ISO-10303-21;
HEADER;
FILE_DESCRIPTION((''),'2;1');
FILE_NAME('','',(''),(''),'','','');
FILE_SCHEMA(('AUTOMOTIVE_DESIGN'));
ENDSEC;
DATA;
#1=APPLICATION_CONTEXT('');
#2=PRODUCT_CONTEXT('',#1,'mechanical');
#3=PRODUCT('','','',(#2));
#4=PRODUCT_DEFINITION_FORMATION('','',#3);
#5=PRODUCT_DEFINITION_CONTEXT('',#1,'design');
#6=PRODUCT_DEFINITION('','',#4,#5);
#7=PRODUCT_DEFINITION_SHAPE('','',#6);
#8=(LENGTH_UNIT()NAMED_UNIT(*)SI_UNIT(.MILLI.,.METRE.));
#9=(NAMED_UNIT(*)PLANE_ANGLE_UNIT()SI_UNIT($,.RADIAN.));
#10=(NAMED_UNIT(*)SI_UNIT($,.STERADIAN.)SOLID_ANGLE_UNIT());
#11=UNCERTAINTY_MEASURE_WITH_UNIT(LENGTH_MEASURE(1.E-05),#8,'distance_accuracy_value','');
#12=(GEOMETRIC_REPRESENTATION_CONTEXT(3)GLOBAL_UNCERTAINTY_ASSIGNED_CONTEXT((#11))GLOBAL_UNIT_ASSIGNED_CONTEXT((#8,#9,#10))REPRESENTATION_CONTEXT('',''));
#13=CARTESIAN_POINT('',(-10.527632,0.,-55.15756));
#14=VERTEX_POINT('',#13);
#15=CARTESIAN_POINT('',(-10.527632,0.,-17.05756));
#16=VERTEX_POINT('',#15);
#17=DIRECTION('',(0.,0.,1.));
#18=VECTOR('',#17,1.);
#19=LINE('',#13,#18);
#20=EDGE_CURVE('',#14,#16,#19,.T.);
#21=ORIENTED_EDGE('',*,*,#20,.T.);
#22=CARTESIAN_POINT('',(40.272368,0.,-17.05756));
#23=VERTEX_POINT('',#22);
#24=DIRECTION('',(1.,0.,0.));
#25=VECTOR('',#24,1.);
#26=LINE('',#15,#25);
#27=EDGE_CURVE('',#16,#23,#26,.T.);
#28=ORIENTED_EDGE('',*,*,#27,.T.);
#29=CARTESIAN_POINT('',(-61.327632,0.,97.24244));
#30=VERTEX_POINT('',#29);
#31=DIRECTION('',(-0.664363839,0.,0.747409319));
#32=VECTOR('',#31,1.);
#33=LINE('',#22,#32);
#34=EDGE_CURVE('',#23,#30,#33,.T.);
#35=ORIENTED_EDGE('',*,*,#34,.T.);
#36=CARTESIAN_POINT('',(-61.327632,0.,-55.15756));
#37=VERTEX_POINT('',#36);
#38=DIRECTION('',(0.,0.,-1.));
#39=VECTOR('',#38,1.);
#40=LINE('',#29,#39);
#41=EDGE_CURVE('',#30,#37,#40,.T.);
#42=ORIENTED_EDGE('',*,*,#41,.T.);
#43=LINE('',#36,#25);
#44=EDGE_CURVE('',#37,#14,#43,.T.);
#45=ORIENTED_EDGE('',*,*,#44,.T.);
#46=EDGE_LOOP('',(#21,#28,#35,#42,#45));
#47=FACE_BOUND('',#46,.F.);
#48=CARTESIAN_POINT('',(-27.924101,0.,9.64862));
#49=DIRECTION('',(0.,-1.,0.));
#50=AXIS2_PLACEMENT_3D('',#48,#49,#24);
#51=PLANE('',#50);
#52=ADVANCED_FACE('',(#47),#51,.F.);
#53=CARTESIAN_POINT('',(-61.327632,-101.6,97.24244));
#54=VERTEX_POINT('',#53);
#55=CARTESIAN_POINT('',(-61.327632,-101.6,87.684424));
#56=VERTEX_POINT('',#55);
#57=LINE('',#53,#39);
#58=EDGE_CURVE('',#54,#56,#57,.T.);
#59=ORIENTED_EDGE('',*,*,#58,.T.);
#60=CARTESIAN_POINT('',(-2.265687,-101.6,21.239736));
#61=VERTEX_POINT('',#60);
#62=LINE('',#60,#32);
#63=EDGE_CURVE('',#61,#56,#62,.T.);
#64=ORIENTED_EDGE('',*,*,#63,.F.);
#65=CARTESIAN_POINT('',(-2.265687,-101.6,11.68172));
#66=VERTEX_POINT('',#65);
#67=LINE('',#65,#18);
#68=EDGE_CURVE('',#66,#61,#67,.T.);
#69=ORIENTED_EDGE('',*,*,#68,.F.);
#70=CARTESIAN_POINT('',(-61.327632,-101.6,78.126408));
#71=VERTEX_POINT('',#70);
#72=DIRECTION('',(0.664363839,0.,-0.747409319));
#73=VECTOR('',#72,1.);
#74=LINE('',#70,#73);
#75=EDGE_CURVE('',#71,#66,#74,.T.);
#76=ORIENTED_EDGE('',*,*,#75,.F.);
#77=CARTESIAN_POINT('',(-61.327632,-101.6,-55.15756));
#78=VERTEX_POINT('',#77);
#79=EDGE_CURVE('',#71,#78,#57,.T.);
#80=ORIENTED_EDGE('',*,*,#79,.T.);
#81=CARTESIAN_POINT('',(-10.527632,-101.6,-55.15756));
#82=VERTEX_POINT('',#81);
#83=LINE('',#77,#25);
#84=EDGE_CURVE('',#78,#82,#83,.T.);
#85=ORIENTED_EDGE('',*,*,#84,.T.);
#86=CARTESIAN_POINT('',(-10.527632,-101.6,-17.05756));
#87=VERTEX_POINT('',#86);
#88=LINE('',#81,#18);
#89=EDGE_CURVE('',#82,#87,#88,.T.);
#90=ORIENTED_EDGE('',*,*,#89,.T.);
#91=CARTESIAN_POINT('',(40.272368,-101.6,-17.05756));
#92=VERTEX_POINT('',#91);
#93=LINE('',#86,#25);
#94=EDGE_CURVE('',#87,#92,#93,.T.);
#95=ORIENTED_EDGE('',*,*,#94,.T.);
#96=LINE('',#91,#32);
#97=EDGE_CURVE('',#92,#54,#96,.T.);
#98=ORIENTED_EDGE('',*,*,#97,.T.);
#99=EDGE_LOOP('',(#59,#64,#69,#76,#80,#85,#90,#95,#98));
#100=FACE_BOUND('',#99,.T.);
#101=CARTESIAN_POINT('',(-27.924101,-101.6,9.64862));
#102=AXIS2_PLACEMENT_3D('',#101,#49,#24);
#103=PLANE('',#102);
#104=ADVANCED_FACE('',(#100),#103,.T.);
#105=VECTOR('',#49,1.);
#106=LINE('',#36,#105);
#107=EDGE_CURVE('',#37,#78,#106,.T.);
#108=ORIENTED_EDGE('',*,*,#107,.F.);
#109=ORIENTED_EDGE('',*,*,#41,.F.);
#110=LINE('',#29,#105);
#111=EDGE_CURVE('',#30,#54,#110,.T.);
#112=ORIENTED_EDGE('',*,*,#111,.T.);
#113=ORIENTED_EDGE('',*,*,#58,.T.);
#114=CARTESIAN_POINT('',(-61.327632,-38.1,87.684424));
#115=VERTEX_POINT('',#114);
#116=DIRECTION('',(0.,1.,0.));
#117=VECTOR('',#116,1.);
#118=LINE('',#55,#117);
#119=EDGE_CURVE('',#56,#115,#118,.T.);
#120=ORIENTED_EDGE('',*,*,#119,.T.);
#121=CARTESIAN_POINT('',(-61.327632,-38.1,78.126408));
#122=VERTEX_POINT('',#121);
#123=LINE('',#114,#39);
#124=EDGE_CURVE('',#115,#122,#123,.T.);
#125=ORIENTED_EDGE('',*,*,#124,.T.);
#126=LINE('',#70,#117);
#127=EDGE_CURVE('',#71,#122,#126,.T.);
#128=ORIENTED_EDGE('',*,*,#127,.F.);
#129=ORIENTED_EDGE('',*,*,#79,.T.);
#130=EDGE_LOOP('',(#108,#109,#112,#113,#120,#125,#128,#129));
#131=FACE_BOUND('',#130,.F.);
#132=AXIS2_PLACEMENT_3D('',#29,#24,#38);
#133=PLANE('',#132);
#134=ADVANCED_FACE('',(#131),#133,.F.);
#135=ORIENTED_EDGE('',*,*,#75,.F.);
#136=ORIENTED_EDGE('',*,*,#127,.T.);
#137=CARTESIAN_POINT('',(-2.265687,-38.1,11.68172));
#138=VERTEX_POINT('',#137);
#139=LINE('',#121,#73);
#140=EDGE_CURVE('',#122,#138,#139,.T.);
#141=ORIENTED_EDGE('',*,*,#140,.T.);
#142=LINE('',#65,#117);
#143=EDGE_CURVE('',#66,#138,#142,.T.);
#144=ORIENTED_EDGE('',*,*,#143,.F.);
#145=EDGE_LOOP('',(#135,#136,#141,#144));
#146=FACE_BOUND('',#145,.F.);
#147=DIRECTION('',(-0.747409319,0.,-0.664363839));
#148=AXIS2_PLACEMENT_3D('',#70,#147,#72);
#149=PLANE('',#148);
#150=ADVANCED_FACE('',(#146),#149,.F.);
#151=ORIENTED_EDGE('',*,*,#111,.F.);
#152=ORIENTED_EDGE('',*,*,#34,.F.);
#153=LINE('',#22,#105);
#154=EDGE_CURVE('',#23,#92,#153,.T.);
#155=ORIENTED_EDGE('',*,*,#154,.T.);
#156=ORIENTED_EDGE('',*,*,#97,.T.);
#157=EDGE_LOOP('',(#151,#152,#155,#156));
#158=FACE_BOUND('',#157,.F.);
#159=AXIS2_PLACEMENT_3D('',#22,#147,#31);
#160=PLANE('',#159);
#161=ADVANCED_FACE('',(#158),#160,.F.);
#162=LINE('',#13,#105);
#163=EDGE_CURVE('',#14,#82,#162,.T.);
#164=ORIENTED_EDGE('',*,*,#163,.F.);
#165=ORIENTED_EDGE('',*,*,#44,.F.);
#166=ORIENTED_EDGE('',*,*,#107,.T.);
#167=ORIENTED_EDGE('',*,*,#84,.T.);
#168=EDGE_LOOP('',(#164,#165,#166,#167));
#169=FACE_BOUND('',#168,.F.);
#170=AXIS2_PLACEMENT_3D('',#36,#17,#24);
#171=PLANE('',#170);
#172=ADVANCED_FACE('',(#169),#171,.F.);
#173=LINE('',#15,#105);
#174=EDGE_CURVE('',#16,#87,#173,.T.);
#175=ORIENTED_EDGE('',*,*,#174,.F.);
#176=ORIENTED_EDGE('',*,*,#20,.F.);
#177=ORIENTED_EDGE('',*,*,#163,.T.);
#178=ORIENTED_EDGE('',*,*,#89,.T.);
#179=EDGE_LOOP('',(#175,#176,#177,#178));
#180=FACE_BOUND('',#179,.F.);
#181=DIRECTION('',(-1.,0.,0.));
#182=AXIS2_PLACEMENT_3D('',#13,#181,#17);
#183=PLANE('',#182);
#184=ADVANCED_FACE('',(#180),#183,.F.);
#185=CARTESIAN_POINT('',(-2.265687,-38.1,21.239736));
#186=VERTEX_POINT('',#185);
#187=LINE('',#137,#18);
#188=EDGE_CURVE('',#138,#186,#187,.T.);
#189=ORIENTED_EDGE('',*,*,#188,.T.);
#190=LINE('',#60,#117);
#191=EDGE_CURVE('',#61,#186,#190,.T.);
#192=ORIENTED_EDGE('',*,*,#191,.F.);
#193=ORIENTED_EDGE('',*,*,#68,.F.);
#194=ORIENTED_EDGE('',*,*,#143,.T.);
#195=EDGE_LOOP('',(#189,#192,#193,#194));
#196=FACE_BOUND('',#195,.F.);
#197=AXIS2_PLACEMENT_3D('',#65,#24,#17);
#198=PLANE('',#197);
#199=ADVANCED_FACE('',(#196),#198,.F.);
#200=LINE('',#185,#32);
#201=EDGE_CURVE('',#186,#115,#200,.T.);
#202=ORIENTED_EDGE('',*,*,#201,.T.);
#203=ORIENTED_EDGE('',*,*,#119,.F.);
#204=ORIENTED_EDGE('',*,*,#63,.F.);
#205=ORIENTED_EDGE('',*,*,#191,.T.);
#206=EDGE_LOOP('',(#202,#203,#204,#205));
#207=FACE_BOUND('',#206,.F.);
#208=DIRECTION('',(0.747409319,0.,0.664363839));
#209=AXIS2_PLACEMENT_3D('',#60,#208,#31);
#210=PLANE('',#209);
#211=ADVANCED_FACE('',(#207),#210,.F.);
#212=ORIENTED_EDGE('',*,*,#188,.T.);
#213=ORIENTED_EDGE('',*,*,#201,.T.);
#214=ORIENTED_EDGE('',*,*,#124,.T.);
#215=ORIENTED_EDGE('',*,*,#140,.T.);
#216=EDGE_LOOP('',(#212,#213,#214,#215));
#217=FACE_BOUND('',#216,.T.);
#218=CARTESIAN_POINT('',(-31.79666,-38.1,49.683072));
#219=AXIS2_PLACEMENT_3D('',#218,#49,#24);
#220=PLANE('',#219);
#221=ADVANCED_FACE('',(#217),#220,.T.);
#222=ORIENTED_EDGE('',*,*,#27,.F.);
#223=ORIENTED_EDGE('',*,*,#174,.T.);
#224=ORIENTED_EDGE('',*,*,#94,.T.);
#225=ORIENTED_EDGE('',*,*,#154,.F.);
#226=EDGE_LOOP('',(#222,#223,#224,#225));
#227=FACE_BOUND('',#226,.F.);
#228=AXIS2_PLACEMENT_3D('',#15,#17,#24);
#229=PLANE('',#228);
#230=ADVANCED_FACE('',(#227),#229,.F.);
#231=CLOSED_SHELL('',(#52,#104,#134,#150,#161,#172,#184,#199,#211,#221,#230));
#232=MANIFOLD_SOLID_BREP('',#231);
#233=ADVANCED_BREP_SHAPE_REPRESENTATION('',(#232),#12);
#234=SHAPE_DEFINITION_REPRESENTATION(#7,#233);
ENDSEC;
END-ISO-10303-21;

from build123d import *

# Parameters (mm, degrees)
F1_DEPTH = 101.6
F3_DEPTH = 63.5


with BuildPart() as f1:
    # F0 (on Front) → F1 (new body)
    with BuildSketch(Plane.XZ):
        Polygon((-61.3276321992, 97.2424396313), (-61.3276321992, -55.1575603687), (-10.5276321992, -55.1575603687), (-10.5276321992, -17.0575603687), (40.2723678008, -17.0575603687), align=None)
    extrude(amount=F1_DEPTH)

    # F2 (on face) → F3 (cut)
    with BuildSketch(Plane.XZ.offset(101.6)):
        Polygon((-61.3276321992, 87.6844239344), (-61.3276321992, 78.1264082375), (-2.2656869272, 11.6817198065), (-2.2656869272, 21.2397355034), align=None)
    extrude(amount=-F3_DEPTH, mode=Mode.SUBTRACT)


solid = f1.part
